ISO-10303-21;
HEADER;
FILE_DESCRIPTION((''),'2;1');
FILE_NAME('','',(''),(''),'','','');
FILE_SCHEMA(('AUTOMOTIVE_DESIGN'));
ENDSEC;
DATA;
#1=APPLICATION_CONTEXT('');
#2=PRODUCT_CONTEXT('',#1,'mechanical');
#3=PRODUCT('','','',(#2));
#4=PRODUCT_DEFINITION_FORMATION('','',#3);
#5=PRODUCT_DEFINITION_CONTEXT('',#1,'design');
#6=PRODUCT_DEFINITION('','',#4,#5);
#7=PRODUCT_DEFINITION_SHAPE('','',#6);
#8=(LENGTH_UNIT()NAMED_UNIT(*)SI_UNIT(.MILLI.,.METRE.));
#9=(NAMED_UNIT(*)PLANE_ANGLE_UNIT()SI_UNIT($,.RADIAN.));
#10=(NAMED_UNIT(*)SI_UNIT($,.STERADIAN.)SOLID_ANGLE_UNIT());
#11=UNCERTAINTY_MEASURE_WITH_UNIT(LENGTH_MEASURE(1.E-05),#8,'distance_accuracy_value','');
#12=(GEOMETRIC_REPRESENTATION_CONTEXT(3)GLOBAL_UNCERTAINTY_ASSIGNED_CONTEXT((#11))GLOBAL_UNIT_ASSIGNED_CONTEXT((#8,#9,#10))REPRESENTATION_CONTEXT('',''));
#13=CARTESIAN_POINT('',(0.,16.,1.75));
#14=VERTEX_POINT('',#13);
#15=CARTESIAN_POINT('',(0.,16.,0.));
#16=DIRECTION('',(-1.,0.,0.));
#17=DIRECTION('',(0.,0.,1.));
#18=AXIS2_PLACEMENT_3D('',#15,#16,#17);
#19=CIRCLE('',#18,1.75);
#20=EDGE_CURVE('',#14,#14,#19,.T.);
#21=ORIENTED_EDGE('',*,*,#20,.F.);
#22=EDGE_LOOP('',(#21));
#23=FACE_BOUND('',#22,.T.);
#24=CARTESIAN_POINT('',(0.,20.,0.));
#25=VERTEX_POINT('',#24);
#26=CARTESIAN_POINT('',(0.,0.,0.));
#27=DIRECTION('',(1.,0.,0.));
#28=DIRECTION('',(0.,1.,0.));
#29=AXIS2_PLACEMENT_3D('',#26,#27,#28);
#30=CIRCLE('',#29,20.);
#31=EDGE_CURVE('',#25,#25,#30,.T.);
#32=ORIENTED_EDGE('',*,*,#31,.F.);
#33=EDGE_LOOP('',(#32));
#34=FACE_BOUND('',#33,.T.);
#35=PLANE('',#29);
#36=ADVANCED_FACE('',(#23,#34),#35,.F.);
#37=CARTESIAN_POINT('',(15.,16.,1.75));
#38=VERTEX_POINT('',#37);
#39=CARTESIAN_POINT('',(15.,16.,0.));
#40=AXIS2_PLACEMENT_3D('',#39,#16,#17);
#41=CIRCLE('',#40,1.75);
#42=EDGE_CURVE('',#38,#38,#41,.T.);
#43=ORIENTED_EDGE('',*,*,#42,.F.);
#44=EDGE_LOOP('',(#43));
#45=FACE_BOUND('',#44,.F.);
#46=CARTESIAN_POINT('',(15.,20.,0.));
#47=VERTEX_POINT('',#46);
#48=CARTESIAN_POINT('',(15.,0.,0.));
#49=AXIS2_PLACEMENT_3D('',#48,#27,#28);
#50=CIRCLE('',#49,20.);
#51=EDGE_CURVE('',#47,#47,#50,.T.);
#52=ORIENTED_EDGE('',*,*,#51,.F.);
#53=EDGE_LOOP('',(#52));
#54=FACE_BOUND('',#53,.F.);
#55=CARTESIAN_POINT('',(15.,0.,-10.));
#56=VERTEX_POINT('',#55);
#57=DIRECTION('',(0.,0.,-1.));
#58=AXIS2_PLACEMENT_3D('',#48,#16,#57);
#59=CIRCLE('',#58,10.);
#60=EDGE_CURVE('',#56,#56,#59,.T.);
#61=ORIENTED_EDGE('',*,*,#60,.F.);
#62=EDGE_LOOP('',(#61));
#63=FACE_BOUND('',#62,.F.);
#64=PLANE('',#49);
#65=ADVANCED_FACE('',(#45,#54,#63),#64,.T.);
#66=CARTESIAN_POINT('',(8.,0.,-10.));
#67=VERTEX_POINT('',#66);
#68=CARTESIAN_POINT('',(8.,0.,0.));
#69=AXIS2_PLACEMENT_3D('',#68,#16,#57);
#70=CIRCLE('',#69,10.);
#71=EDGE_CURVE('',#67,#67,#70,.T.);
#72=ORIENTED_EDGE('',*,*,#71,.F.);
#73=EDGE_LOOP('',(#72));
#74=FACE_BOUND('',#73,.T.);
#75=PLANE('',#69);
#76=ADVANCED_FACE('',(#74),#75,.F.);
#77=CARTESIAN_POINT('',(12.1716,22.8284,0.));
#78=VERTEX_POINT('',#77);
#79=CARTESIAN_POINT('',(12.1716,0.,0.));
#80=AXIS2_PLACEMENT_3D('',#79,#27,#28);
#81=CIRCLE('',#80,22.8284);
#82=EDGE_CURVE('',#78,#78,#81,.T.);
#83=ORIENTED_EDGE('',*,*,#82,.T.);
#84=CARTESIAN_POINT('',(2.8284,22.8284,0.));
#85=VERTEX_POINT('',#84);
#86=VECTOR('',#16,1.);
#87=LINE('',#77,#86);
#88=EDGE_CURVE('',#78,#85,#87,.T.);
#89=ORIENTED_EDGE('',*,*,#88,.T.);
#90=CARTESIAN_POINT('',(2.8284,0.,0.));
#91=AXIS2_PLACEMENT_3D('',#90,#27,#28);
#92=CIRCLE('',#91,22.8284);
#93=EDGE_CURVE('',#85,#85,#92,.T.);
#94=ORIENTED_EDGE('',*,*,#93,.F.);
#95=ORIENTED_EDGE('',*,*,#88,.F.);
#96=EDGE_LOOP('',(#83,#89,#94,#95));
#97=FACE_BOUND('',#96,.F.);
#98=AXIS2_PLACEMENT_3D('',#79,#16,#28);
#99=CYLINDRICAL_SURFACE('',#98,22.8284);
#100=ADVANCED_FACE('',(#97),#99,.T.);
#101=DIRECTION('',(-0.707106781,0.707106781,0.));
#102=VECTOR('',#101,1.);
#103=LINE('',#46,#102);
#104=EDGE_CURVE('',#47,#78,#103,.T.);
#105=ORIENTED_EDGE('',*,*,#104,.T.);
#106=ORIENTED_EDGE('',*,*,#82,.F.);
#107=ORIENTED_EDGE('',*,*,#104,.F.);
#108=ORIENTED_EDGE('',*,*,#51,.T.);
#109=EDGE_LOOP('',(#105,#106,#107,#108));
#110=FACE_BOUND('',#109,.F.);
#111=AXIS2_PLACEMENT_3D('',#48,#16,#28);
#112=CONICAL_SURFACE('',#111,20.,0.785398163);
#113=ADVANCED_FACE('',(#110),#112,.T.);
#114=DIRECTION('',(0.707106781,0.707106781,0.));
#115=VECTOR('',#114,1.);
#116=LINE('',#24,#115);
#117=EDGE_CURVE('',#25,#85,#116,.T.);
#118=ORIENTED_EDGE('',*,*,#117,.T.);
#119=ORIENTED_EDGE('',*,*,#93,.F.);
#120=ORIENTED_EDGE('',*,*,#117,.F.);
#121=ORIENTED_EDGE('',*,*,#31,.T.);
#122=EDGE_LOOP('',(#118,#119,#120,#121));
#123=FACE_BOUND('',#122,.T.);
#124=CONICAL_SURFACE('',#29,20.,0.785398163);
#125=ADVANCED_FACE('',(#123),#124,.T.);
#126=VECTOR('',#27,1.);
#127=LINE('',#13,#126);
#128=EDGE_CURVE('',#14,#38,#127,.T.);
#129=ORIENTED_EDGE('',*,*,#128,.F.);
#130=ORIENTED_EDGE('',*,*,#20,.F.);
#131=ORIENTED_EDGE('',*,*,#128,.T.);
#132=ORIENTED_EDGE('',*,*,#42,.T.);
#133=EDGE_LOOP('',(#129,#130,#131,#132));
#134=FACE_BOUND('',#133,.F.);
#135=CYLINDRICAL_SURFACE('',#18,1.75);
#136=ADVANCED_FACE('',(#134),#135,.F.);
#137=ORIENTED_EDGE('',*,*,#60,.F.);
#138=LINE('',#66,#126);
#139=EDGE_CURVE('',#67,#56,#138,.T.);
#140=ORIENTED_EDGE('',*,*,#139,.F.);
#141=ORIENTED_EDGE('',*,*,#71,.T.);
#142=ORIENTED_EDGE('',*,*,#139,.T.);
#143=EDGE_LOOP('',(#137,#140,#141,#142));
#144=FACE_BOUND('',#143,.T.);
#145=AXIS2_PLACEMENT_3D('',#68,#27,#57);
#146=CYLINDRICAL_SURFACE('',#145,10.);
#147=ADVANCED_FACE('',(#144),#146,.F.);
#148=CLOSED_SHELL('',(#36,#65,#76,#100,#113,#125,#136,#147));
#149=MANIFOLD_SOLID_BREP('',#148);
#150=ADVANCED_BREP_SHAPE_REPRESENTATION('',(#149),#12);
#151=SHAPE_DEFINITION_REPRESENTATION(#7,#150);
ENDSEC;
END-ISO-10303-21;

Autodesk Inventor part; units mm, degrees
ref_plane "YZ Plane" through (0, 0, 0) normal (1, 0, 0) x (0, 1, 0)
ref_plane "XZ Plane" through (0, 0, 0) normal (0, 1, 0) x (-1, 0, 0)
ref_plane "XY Plane" through (0, 0, 0) normal (0, 0, 1) x (1, 0, 0)
sketch "Эскиз1" plane through (0, 0, 0) normal (0, 0, 1) x (1, 0, 0)
  line L0 (0, 0) -> (0, 20)
  line L1 (0, 20) -> (2.8284, 22.8284)
  line L2 (0, 0) -> (15, 0)
  line L3 (15, 0) -> (15, 20)
  line L4 (15, 20) -> (12.1716, 22.8284)
  line L5 (12.1716, 22.8284) -> (2.8284, 22.8284)
  dimension "d0" = 20
  dimension "d1" = 4
  dimension "d2" = 135
  dimension "d3" = 15
  dimension "d4" = 4
  dimension "d5" = 135
revolve "Вращение1" add sketch "Эскиз1" angle 360 about axis through (0, 0, 0) along (1, 0, 0)
sketch "Эскиз2" plane through (0, 0, 0) normal (-1, 0, 0) x (0, 0, 1)
  circle A0 centre (0, 16) radius 1.75
  point P0 (0, 0)
  dimension "d7" = 3.5
  dimension "d8" = 16
extrude "Выдавливание1" cut sketch "Эскиз2" against normal blind 15
sketch "Эскиз3" plane through (0, 0, 0) normal (0, 1, 0) x (-1, 0, 0)
  line L0 (-15, 20) -> (-15, -20) construction
  line L1 (-15, 0) -> (-8, 0)
  line L2 (-8, 0) -> (-8, -10)
  line L3 (-8, -10) -> (-15, -10)
  line L4 (-15, -10) -> (-15, 0)
  point P0 (0, 0)
  dimension "d11" = 7
  dimension "d12" = 10
revolve "Вращение2" cut sketch "Эскиз3" angle 360 about axis through (15, 0, 0) along (-1, 0, 0)
properties part number "711122"
